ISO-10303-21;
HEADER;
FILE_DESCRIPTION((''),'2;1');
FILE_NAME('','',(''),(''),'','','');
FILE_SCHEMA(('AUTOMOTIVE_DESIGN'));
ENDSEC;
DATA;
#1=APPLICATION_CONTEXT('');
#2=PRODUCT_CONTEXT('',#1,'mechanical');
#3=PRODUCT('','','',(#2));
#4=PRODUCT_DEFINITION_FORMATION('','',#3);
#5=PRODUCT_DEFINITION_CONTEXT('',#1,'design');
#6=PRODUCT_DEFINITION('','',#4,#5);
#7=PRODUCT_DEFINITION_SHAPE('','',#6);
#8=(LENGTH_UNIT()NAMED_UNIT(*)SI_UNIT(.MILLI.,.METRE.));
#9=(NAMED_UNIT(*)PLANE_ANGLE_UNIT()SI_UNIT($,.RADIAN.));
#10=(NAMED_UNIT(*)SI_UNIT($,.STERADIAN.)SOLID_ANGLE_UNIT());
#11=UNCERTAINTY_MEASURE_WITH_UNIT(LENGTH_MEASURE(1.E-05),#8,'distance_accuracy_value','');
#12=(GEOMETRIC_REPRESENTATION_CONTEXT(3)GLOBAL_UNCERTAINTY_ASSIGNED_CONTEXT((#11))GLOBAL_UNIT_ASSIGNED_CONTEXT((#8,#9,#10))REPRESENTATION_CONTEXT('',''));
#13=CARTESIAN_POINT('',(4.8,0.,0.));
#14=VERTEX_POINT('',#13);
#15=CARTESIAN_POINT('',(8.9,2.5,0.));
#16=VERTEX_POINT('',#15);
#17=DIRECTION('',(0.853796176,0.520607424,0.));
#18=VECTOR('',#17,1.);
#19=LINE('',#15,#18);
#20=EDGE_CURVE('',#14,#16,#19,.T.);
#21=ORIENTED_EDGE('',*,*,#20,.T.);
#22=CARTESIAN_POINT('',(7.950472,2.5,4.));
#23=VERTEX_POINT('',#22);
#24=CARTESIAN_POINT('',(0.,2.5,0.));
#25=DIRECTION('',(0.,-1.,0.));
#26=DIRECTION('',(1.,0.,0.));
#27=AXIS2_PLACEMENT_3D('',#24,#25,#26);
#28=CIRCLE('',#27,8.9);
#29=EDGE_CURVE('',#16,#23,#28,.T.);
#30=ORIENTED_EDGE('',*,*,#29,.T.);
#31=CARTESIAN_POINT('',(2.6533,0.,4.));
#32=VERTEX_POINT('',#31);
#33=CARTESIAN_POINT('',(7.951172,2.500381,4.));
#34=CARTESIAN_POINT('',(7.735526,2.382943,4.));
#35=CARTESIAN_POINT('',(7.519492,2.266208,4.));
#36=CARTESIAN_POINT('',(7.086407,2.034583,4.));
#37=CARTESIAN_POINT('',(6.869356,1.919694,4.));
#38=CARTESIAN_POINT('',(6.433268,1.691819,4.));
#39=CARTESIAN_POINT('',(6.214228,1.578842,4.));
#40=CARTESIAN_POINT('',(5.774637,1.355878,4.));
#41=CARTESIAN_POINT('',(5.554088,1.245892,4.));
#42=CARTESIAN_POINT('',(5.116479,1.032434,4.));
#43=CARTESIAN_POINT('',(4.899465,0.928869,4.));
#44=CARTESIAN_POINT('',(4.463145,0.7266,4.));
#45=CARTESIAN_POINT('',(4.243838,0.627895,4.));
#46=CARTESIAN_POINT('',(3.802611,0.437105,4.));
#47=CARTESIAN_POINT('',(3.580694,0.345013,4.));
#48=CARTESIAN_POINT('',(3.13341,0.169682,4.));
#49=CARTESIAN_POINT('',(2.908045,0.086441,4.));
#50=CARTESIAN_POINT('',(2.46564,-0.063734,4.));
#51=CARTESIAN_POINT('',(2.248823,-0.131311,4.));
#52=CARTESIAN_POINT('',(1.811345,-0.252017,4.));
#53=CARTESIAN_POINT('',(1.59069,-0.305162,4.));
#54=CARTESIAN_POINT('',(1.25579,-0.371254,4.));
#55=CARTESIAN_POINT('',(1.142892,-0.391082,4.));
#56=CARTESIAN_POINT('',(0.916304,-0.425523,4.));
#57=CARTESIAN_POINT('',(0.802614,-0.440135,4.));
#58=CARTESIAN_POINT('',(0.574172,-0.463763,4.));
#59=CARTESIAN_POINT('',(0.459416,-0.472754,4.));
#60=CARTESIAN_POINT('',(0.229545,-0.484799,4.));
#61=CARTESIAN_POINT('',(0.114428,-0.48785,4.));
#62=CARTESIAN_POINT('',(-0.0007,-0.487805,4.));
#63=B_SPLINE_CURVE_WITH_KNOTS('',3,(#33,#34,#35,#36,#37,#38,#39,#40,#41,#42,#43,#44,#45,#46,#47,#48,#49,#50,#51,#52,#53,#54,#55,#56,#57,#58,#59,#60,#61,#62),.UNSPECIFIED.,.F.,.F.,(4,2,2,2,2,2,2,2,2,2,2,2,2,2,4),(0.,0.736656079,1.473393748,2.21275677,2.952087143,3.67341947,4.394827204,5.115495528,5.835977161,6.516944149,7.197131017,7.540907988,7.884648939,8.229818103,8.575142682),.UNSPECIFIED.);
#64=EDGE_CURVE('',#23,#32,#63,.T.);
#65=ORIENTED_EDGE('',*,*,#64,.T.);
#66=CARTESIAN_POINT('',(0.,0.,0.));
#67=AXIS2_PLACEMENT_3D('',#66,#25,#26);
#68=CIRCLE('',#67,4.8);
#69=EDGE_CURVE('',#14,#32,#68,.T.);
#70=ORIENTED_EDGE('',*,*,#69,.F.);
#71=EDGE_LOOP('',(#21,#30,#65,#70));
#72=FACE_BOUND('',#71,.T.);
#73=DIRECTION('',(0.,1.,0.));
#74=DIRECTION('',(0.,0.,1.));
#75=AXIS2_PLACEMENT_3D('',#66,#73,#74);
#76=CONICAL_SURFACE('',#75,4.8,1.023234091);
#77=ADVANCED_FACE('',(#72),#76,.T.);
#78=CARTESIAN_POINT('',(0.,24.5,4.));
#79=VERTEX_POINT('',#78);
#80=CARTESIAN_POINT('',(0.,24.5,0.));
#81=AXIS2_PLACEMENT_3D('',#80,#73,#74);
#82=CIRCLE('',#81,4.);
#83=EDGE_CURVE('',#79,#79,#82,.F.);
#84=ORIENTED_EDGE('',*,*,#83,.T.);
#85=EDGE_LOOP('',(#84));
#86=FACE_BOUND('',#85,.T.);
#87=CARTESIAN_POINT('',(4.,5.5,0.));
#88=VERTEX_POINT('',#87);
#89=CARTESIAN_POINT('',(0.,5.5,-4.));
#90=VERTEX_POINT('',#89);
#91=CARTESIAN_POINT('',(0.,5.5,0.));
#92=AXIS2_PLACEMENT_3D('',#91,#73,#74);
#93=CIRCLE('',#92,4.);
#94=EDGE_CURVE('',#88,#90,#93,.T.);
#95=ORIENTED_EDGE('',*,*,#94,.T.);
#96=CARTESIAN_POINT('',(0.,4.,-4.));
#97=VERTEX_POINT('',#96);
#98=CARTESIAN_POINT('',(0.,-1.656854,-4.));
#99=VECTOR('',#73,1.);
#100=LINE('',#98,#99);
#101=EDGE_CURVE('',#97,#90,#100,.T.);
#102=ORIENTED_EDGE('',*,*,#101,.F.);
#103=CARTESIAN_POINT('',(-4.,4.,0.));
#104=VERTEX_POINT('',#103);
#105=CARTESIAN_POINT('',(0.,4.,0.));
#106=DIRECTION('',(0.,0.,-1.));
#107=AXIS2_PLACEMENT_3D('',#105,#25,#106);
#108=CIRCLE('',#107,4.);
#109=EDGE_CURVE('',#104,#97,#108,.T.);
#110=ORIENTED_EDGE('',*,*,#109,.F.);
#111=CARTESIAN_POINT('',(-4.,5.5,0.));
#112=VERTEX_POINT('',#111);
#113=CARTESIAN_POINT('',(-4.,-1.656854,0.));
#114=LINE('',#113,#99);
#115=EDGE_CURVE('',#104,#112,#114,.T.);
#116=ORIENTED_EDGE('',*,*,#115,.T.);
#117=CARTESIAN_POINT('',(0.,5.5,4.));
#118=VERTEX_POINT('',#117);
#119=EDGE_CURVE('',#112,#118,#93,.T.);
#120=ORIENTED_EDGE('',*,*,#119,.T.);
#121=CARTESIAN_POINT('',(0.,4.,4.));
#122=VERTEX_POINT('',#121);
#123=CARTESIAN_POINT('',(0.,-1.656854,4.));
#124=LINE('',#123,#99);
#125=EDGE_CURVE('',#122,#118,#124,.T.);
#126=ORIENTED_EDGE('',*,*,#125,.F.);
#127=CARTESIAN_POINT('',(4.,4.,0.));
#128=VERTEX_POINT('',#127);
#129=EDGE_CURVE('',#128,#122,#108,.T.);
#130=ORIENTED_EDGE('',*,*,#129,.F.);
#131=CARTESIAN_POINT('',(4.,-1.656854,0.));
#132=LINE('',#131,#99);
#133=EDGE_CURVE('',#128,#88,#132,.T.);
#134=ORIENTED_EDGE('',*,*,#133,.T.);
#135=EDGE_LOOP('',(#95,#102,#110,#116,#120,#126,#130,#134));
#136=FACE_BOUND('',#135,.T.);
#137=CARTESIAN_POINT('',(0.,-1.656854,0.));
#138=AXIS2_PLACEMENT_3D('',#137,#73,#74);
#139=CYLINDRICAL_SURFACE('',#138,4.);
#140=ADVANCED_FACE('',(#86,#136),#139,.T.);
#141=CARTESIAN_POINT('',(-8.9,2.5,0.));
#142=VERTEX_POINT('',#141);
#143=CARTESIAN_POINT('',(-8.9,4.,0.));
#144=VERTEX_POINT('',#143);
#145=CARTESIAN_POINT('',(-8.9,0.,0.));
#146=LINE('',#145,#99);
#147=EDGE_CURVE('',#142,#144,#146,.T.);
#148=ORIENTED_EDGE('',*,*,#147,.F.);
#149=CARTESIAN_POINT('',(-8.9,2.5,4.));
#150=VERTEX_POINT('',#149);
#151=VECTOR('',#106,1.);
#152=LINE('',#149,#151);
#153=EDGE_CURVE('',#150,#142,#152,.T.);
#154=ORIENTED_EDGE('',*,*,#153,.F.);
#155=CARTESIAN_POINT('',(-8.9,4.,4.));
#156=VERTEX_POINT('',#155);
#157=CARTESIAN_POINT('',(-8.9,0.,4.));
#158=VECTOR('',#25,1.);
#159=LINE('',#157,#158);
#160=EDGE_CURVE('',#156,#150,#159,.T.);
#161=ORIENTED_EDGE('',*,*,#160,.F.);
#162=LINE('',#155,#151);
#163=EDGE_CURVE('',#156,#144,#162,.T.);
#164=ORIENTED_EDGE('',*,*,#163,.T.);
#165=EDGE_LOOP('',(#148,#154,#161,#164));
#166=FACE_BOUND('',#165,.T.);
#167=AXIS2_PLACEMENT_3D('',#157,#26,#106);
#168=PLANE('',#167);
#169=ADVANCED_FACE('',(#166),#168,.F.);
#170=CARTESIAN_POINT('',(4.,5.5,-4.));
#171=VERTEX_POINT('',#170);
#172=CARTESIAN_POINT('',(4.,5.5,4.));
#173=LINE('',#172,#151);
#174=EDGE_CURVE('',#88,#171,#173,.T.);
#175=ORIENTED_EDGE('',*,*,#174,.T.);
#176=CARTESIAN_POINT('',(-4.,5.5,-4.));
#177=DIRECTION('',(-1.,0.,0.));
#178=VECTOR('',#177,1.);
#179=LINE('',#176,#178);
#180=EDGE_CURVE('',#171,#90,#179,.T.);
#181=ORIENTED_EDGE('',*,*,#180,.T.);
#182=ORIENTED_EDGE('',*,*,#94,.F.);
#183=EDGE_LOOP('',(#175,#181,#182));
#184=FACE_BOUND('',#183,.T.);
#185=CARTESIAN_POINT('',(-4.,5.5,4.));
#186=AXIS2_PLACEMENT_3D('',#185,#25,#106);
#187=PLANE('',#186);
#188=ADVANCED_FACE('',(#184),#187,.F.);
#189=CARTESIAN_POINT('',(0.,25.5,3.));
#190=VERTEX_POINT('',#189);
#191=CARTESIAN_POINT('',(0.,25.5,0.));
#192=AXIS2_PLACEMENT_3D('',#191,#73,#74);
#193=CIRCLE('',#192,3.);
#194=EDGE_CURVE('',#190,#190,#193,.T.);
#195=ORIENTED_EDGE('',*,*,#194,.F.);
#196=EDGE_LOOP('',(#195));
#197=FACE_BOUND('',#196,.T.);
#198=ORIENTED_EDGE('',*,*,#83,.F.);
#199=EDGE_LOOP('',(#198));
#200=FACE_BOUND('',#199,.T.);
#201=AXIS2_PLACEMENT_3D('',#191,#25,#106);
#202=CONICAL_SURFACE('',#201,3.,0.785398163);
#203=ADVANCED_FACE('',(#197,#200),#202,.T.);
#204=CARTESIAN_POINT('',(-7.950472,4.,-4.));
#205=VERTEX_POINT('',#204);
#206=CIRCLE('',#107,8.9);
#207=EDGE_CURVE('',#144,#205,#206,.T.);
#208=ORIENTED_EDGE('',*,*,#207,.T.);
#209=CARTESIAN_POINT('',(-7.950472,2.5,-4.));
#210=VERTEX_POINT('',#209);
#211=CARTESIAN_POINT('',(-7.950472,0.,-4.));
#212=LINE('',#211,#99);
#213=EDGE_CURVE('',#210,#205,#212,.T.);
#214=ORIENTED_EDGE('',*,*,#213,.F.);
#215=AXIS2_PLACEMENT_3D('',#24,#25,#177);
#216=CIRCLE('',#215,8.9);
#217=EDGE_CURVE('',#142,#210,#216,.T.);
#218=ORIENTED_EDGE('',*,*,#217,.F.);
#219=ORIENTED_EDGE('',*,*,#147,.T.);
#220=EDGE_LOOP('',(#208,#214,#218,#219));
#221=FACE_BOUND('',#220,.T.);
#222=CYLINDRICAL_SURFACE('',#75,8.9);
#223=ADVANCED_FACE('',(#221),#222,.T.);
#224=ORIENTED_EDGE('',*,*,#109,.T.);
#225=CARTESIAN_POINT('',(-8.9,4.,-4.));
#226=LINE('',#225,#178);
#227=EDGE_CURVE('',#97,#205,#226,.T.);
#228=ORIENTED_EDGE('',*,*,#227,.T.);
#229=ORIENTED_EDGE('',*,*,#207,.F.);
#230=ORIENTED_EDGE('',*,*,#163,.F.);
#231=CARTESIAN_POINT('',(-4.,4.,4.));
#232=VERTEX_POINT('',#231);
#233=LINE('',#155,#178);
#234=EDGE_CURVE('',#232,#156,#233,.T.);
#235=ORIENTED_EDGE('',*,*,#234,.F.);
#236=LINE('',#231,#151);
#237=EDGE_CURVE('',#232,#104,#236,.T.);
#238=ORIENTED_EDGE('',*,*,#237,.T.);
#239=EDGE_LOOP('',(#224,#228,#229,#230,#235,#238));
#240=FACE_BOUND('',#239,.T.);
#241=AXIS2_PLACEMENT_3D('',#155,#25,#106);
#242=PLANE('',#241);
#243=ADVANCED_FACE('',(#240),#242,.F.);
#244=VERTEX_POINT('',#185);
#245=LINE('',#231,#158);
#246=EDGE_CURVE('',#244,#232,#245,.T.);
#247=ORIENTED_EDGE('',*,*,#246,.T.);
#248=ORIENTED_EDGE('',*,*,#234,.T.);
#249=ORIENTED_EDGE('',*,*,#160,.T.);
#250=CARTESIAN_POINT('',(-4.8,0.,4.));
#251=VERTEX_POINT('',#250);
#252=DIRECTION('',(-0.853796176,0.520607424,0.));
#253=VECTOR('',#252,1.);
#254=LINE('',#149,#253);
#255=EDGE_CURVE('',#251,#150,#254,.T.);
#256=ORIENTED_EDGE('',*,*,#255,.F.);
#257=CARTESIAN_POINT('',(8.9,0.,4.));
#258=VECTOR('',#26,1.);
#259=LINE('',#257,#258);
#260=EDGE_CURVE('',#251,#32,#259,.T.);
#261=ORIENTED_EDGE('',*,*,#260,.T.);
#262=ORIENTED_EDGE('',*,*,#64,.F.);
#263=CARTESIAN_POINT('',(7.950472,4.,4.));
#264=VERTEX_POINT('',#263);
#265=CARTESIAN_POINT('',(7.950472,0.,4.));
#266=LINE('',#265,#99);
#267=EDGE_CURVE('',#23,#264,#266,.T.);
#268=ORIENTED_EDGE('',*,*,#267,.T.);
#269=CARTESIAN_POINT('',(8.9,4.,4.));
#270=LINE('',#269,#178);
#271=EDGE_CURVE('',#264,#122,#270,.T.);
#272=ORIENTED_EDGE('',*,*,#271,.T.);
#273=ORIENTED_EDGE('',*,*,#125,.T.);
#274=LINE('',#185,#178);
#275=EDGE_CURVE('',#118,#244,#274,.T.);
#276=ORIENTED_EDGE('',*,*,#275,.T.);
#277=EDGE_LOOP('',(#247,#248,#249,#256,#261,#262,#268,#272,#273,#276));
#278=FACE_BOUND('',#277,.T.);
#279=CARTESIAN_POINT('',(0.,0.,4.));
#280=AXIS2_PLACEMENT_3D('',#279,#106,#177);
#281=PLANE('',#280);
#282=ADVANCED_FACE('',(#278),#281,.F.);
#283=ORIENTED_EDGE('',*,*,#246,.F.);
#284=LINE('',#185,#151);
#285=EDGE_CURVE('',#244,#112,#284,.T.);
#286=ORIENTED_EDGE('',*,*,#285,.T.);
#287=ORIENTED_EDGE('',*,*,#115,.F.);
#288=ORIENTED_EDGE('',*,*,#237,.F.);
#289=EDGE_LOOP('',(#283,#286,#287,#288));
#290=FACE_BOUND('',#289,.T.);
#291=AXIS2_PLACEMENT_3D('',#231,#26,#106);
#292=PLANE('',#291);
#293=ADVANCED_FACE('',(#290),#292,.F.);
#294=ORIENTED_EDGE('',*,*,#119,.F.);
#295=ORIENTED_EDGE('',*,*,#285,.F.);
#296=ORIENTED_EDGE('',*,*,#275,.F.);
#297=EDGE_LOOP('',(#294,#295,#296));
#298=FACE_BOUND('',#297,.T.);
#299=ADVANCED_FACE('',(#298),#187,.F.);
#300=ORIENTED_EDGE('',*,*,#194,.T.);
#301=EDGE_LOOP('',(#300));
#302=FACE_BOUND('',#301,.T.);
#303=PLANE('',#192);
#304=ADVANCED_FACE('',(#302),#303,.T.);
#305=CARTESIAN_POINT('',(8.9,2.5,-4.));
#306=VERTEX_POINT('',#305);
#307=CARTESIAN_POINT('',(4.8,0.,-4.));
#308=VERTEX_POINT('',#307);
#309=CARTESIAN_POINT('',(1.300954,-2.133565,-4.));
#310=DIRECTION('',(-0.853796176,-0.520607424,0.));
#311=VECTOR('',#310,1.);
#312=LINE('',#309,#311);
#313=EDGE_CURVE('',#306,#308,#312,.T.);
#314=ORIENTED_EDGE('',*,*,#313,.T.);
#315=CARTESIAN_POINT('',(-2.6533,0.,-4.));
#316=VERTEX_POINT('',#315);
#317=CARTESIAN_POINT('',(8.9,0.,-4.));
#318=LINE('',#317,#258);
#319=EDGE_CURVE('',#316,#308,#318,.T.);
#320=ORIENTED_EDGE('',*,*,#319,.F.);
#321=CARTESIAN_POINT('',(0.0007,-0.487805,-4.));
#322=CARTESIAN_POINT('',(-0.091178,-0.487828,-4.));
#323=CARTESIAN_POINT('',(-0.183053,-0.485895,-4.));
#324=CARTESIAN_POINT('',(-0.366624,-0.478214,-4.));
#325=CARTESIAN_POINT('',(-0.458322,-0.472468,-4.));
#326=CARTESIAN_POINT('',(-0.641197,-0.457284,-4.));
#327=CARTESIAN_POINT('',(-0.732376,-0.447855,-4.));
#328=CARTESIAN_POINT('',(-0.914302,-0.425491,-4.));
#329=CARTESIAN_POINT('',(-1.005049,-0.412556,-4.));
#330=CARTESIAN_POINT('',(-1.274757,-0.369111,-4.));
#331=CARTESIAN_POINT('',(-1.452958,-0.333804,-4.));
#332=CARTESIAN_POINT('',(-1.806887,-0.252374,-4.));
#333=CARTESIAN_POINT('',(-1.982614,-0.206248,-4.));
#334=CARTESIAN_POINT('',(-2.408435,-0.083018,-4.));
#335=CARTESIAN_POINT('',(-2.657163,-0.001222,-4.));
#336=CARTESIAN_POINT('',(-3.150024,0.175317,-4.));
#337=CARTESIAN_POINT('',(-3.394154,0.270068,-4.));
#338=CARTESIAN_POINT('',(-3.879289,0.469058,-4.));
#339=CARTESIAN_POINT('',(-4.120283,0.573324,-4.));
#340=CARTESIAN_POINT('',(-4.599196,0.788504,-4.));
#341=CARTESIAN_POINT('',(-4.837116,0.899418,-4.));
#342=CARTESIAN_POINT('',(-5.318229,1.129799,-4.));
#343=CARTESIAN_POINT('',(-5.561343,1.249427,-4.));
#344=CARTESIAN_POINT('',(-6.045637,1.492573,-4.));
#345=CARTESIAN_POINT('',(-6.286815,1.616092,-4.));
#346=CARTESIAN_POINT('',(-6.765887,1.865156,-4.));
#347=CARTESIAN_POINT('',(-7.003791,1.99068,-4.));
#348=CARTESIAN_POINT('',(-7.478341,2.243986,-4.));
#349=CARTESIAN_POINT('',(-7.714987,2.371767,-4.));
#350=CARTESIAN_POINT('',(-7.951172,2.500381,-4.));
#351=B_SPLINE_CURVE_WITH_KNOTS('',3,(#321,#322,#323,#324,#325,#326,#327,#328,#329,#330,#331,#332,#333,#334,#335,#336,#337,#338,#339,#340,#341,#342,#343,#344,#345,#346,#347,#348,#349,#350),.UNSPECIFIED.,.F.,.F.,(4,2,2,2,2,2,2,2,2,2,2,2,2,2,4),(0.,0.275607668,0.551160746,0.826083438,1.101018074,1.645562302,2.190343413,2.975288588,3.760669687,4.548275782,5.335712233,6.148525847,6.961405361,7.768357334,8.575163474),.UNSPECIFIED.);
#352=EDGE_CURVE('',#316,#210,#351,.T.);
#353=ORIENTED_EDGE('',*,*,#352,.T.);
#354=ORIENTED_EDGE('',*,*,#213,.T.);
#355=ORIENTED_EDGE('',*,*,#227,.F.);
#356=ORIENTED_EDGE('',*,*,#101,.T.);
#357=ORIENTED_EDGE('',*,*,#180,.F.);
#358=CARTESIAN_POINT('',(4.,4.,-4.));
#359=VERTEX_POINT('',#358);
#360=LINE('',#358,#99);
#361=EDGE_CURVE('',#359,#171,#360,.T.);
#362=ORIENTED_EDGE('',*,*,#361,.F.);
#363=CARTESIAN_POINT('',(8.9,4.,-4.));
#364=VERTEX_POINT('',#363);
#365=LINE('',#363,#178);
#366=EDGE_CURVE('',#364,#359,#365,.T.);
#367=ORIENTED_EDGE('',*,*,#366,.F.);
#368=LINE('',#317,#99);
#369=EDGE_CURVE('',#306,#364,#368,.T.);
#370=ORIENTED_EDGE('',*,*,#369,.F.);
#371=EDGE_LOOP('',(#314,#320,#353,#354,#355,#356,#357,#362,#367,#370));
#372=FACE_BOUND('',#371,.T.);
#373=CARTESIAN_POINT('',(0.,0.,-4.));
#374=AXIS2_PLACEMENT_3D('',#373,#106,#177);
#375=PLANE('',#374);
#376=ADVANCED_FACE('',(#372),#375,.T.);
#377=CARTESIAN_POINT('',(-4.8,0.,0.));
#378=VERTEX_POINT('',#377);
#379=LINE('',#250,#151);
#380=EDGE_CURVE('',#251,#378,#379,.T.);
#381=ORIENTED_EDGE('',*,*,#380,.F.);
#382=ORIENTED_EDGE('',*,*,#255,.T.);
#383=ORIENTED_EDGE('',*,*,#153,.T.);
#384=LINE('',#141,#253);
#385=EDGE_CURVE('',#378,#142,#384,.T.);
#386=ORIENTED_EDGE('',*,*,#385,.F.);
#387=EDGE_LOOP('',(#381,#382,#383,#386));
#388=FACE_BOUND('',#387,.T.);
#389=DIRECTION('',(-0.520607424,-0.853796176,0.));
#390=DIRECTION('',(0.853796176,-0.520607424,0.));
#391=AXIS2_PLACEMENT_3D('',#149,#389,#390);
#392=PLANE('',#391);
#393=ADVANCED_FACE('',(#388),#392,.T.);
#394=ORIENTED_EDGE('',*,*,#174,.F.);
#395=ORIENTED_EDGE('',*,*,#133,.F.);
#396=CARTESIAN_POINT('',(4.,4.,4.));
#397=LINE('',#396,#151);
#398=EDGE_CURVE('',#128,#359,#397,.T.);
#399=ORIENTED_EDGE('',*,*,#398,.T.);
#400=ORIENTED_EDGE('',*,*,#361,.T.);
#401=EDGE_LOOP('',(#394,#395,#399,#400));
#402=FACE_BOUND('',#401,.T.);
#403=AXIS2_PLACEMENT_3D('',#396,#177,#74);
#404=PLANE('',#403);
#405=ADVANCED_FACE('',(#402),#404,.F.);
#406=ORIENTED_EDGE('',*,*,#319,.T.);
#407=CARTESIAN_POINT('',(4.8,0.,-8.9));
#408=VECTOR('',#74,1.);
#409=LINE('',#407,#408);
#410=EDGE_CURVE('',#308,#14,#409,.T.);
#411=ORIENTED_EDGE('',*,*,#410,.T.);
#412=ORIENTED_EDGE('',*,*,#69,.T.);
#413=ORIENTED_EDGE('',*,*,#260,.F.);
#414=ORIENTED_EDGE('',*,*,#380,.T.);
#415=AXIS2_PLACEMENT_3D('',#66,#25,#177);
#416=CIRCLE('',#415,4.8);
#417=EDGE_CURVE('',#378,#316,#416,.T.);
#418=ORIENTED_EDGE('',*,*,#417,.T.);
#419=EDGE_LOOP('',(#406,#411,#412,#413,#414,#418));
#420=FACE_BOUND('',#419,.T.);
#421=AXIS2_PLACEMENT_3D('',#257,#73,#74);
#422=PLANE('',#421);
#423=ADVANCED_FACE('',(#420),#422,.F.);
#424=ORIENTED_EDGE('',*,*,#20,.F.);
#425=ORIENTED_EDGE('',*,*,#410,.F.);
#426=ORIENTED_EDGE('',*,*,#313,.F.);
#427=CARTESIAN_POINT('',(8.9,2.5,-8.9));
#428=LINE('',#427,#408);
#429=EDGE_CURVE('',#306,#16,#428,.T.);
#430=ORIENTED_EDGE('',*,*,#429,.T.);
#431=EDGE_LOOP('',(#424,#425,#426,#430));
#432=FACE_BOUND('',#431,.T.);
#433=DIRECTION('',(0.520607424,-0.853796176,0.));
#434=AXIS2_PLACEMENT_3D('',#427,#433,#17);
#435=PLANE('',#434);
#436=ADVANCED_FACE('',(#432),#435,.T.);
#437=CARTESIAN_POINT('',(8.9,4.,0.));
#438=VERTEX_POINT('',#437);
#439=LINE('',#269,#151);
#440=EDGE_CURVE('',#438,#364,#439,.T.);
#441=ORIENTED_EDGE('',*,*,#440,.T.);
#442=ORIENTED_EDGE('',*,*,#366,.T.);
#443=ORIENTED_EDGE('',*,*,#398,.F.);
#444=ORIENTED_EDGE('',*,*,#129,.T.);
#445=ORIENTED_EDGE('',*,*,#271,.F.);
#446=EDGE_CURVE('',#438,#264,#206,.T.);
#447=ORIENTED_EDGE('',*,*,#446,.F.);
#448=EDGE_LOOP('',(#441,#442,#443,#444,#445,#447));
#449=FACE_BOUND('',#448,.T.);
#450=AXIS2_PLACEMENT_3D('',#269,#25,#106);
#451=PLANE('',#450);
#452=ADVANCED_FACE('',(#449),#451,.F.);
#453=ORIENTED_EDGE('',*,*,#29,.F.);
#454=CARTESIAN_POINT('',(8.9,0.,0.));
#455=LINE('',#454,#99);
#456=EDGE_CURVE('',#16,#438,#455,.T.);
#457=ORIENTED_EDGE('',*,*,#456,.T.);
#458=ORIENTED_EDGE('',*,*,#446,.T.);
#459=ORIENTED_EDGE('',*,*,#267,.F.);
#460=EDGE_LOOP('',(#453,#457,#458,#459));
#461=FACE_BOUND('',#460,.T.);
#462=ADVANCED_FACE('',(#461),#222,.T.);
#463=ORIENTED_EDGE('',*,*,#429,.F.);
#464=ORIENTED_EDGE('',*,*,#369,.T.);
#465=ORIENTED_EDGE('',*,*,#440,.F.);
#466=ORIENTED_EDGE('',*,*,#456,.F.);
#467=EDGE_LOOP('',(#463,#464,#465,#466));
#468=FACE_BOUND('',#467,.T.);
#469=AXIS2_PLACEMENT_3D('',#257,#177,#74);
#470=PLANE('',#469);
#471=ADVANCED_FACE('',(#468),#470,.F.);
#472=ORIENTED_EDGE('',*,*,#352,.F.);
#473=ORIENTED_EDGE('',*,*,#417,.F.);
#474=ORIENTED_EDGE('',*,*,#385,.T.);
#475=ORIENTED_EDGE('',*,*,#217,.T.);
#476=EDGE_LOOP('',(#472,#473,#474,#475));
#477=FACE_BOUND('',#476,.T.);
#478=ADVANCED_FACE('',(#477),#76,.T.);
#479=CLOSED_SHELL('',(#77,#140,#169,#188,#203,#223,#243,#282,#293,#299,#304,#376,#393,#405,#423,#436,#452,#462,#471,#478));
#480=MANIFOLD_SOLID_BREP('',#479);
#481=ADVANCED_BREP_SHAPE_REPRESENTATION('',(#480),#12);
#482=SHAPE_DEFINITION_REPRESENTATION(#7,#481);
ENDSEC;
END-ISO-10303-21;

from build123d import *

# Parameters (mm, degrees)
EXTRUDE_1_DEPTH     = 4
CUT_EXTRUDE_1_DEPTH = 1.5
SKETCH_2_R          = 4
EXTRUDE_2_DEPTH     = 20
CUT_EXTRUDE_2_DEPTH = 5
CHAMFER_2_SIZE      = 1


with BuildPart() as part:
    # Эскиз1 → Бобышка-Вытянуть1 (new body, symmetric)
    with BuildSketch(Plane.XY):
        Polygon((8.9, 0), (-8.9, 0), (-8.9, 4), (-4, 4), (-4, 5.5), (4, 5.5), (4, 4), (8.9, 4), align=None)
    extrude(amount=EXTRUDE_1_DEPTH, both=True)

    # Эскиз3 → Вырез-Вытянуть1 (cut)
    with BuildSketch(Plane(origin=(0, 5.5, 0), x_dir=(1, 0, 0), z_dir=(0, 1, 0))):
        with BuildLine():
            Line((-4, 0), (-4, 4))
            Line((-4, 4), (0, 4))
            ThreePointArc((0, 4), (-2.828427125, 2.828427125), (-4, 0))
        make_face()
        with BuildLine():
            Line((0, -4), (4, -4))
            Line((4, -4), (4, 0))
            ThreePointArc((4, 0), (2.828427125, -2.828427125), (0, -4))
        make_face()
    extrude(amount=-CUT_EXTRUDE_1_DEPTH, mode=Mode.SUBTRACT)

    # Эскиз2 → Бобышка-Вытянуть2 (add)
    with BuildSketch(Plane(origin=(0, 5.5, 0), x_dir=(1, 0, 0), z_dir=(0, 1, 0))):
        with Locations(Location((0, 0, 0), (0, 0, 270))):  # turned: the seam where the file's is
            Circle(SKETCH_2_R)
    extrude(amount=EXTRUDE_2_DEPTH)

    # Эскиз4 → Вырез-Вытянуть2 (cut, through all)
    with BuildSketch(Plane(origin=(0, 4, 0), x_dir=(1, 0, 0), z_dir=(0, 1, 0))):
        with BuildLine():
            Line((-7.950471684, 4), (-8.9, 4))
            Line((-8.9, 4), (-8.9, 0))
            ThreePointArc((-8.9, 0), (-8.659364815, 2.055578022), (-7.950471684, 4))
        make_face()
        with BuildLine():
            Line((7.950471684, -4), (8.9, -4))
            Line((8.9, -4), (8.9, 0))
            ThreePointArc((8.9, 0), (8.659364815, -2.055578022), (7.950471684, -4))
        make_face()
    extrude(amount=-CUT_EXTRUDE_2_DEPTH, mode=Mode.SUBTRACT)

    # Вырез-По траектории1: sweep along a path in Эскиз6
    with BuildLine(Plane.XZ) as sweep_1_path:
        Line((0, -8.9), (8.9, -8.9))
        Line((8.9, -8.9), (8.9, 0))
        ThreePointArc((8.9, 0), (6.293250353, 6.293250353), (0, 8.9))
        Line((0, 8.9), (-8.9, 8.9))
        Line((-8.9, 8.9), (-8.9, 0))
        ThreePointArc((-8.9, 0), (-6.293250353, -6.293250353), (0, -8.9))
    # Эскиз5 → Вырез-По траектории1 (sweep, cut)
    with BuildSketch(Plane.XY.offset(4)):
        Polygon((-8.9, 2.5), (-4.8, 0), (-8.9, 0), align=None)
    sweep(path=sweep_1_path.line, transition=Transition.RIGHT, mode=Mode.SUBTRACT)

    # Фаска2
    chamfer_2_edges = [part.edges().sort_by_distance(p)[0] for p in [
        (0, 25.5, -4),
    ]]
    chamfer(chamfer_2_edges, length=CHAMFER_2_SIZE)


solid = part.part
